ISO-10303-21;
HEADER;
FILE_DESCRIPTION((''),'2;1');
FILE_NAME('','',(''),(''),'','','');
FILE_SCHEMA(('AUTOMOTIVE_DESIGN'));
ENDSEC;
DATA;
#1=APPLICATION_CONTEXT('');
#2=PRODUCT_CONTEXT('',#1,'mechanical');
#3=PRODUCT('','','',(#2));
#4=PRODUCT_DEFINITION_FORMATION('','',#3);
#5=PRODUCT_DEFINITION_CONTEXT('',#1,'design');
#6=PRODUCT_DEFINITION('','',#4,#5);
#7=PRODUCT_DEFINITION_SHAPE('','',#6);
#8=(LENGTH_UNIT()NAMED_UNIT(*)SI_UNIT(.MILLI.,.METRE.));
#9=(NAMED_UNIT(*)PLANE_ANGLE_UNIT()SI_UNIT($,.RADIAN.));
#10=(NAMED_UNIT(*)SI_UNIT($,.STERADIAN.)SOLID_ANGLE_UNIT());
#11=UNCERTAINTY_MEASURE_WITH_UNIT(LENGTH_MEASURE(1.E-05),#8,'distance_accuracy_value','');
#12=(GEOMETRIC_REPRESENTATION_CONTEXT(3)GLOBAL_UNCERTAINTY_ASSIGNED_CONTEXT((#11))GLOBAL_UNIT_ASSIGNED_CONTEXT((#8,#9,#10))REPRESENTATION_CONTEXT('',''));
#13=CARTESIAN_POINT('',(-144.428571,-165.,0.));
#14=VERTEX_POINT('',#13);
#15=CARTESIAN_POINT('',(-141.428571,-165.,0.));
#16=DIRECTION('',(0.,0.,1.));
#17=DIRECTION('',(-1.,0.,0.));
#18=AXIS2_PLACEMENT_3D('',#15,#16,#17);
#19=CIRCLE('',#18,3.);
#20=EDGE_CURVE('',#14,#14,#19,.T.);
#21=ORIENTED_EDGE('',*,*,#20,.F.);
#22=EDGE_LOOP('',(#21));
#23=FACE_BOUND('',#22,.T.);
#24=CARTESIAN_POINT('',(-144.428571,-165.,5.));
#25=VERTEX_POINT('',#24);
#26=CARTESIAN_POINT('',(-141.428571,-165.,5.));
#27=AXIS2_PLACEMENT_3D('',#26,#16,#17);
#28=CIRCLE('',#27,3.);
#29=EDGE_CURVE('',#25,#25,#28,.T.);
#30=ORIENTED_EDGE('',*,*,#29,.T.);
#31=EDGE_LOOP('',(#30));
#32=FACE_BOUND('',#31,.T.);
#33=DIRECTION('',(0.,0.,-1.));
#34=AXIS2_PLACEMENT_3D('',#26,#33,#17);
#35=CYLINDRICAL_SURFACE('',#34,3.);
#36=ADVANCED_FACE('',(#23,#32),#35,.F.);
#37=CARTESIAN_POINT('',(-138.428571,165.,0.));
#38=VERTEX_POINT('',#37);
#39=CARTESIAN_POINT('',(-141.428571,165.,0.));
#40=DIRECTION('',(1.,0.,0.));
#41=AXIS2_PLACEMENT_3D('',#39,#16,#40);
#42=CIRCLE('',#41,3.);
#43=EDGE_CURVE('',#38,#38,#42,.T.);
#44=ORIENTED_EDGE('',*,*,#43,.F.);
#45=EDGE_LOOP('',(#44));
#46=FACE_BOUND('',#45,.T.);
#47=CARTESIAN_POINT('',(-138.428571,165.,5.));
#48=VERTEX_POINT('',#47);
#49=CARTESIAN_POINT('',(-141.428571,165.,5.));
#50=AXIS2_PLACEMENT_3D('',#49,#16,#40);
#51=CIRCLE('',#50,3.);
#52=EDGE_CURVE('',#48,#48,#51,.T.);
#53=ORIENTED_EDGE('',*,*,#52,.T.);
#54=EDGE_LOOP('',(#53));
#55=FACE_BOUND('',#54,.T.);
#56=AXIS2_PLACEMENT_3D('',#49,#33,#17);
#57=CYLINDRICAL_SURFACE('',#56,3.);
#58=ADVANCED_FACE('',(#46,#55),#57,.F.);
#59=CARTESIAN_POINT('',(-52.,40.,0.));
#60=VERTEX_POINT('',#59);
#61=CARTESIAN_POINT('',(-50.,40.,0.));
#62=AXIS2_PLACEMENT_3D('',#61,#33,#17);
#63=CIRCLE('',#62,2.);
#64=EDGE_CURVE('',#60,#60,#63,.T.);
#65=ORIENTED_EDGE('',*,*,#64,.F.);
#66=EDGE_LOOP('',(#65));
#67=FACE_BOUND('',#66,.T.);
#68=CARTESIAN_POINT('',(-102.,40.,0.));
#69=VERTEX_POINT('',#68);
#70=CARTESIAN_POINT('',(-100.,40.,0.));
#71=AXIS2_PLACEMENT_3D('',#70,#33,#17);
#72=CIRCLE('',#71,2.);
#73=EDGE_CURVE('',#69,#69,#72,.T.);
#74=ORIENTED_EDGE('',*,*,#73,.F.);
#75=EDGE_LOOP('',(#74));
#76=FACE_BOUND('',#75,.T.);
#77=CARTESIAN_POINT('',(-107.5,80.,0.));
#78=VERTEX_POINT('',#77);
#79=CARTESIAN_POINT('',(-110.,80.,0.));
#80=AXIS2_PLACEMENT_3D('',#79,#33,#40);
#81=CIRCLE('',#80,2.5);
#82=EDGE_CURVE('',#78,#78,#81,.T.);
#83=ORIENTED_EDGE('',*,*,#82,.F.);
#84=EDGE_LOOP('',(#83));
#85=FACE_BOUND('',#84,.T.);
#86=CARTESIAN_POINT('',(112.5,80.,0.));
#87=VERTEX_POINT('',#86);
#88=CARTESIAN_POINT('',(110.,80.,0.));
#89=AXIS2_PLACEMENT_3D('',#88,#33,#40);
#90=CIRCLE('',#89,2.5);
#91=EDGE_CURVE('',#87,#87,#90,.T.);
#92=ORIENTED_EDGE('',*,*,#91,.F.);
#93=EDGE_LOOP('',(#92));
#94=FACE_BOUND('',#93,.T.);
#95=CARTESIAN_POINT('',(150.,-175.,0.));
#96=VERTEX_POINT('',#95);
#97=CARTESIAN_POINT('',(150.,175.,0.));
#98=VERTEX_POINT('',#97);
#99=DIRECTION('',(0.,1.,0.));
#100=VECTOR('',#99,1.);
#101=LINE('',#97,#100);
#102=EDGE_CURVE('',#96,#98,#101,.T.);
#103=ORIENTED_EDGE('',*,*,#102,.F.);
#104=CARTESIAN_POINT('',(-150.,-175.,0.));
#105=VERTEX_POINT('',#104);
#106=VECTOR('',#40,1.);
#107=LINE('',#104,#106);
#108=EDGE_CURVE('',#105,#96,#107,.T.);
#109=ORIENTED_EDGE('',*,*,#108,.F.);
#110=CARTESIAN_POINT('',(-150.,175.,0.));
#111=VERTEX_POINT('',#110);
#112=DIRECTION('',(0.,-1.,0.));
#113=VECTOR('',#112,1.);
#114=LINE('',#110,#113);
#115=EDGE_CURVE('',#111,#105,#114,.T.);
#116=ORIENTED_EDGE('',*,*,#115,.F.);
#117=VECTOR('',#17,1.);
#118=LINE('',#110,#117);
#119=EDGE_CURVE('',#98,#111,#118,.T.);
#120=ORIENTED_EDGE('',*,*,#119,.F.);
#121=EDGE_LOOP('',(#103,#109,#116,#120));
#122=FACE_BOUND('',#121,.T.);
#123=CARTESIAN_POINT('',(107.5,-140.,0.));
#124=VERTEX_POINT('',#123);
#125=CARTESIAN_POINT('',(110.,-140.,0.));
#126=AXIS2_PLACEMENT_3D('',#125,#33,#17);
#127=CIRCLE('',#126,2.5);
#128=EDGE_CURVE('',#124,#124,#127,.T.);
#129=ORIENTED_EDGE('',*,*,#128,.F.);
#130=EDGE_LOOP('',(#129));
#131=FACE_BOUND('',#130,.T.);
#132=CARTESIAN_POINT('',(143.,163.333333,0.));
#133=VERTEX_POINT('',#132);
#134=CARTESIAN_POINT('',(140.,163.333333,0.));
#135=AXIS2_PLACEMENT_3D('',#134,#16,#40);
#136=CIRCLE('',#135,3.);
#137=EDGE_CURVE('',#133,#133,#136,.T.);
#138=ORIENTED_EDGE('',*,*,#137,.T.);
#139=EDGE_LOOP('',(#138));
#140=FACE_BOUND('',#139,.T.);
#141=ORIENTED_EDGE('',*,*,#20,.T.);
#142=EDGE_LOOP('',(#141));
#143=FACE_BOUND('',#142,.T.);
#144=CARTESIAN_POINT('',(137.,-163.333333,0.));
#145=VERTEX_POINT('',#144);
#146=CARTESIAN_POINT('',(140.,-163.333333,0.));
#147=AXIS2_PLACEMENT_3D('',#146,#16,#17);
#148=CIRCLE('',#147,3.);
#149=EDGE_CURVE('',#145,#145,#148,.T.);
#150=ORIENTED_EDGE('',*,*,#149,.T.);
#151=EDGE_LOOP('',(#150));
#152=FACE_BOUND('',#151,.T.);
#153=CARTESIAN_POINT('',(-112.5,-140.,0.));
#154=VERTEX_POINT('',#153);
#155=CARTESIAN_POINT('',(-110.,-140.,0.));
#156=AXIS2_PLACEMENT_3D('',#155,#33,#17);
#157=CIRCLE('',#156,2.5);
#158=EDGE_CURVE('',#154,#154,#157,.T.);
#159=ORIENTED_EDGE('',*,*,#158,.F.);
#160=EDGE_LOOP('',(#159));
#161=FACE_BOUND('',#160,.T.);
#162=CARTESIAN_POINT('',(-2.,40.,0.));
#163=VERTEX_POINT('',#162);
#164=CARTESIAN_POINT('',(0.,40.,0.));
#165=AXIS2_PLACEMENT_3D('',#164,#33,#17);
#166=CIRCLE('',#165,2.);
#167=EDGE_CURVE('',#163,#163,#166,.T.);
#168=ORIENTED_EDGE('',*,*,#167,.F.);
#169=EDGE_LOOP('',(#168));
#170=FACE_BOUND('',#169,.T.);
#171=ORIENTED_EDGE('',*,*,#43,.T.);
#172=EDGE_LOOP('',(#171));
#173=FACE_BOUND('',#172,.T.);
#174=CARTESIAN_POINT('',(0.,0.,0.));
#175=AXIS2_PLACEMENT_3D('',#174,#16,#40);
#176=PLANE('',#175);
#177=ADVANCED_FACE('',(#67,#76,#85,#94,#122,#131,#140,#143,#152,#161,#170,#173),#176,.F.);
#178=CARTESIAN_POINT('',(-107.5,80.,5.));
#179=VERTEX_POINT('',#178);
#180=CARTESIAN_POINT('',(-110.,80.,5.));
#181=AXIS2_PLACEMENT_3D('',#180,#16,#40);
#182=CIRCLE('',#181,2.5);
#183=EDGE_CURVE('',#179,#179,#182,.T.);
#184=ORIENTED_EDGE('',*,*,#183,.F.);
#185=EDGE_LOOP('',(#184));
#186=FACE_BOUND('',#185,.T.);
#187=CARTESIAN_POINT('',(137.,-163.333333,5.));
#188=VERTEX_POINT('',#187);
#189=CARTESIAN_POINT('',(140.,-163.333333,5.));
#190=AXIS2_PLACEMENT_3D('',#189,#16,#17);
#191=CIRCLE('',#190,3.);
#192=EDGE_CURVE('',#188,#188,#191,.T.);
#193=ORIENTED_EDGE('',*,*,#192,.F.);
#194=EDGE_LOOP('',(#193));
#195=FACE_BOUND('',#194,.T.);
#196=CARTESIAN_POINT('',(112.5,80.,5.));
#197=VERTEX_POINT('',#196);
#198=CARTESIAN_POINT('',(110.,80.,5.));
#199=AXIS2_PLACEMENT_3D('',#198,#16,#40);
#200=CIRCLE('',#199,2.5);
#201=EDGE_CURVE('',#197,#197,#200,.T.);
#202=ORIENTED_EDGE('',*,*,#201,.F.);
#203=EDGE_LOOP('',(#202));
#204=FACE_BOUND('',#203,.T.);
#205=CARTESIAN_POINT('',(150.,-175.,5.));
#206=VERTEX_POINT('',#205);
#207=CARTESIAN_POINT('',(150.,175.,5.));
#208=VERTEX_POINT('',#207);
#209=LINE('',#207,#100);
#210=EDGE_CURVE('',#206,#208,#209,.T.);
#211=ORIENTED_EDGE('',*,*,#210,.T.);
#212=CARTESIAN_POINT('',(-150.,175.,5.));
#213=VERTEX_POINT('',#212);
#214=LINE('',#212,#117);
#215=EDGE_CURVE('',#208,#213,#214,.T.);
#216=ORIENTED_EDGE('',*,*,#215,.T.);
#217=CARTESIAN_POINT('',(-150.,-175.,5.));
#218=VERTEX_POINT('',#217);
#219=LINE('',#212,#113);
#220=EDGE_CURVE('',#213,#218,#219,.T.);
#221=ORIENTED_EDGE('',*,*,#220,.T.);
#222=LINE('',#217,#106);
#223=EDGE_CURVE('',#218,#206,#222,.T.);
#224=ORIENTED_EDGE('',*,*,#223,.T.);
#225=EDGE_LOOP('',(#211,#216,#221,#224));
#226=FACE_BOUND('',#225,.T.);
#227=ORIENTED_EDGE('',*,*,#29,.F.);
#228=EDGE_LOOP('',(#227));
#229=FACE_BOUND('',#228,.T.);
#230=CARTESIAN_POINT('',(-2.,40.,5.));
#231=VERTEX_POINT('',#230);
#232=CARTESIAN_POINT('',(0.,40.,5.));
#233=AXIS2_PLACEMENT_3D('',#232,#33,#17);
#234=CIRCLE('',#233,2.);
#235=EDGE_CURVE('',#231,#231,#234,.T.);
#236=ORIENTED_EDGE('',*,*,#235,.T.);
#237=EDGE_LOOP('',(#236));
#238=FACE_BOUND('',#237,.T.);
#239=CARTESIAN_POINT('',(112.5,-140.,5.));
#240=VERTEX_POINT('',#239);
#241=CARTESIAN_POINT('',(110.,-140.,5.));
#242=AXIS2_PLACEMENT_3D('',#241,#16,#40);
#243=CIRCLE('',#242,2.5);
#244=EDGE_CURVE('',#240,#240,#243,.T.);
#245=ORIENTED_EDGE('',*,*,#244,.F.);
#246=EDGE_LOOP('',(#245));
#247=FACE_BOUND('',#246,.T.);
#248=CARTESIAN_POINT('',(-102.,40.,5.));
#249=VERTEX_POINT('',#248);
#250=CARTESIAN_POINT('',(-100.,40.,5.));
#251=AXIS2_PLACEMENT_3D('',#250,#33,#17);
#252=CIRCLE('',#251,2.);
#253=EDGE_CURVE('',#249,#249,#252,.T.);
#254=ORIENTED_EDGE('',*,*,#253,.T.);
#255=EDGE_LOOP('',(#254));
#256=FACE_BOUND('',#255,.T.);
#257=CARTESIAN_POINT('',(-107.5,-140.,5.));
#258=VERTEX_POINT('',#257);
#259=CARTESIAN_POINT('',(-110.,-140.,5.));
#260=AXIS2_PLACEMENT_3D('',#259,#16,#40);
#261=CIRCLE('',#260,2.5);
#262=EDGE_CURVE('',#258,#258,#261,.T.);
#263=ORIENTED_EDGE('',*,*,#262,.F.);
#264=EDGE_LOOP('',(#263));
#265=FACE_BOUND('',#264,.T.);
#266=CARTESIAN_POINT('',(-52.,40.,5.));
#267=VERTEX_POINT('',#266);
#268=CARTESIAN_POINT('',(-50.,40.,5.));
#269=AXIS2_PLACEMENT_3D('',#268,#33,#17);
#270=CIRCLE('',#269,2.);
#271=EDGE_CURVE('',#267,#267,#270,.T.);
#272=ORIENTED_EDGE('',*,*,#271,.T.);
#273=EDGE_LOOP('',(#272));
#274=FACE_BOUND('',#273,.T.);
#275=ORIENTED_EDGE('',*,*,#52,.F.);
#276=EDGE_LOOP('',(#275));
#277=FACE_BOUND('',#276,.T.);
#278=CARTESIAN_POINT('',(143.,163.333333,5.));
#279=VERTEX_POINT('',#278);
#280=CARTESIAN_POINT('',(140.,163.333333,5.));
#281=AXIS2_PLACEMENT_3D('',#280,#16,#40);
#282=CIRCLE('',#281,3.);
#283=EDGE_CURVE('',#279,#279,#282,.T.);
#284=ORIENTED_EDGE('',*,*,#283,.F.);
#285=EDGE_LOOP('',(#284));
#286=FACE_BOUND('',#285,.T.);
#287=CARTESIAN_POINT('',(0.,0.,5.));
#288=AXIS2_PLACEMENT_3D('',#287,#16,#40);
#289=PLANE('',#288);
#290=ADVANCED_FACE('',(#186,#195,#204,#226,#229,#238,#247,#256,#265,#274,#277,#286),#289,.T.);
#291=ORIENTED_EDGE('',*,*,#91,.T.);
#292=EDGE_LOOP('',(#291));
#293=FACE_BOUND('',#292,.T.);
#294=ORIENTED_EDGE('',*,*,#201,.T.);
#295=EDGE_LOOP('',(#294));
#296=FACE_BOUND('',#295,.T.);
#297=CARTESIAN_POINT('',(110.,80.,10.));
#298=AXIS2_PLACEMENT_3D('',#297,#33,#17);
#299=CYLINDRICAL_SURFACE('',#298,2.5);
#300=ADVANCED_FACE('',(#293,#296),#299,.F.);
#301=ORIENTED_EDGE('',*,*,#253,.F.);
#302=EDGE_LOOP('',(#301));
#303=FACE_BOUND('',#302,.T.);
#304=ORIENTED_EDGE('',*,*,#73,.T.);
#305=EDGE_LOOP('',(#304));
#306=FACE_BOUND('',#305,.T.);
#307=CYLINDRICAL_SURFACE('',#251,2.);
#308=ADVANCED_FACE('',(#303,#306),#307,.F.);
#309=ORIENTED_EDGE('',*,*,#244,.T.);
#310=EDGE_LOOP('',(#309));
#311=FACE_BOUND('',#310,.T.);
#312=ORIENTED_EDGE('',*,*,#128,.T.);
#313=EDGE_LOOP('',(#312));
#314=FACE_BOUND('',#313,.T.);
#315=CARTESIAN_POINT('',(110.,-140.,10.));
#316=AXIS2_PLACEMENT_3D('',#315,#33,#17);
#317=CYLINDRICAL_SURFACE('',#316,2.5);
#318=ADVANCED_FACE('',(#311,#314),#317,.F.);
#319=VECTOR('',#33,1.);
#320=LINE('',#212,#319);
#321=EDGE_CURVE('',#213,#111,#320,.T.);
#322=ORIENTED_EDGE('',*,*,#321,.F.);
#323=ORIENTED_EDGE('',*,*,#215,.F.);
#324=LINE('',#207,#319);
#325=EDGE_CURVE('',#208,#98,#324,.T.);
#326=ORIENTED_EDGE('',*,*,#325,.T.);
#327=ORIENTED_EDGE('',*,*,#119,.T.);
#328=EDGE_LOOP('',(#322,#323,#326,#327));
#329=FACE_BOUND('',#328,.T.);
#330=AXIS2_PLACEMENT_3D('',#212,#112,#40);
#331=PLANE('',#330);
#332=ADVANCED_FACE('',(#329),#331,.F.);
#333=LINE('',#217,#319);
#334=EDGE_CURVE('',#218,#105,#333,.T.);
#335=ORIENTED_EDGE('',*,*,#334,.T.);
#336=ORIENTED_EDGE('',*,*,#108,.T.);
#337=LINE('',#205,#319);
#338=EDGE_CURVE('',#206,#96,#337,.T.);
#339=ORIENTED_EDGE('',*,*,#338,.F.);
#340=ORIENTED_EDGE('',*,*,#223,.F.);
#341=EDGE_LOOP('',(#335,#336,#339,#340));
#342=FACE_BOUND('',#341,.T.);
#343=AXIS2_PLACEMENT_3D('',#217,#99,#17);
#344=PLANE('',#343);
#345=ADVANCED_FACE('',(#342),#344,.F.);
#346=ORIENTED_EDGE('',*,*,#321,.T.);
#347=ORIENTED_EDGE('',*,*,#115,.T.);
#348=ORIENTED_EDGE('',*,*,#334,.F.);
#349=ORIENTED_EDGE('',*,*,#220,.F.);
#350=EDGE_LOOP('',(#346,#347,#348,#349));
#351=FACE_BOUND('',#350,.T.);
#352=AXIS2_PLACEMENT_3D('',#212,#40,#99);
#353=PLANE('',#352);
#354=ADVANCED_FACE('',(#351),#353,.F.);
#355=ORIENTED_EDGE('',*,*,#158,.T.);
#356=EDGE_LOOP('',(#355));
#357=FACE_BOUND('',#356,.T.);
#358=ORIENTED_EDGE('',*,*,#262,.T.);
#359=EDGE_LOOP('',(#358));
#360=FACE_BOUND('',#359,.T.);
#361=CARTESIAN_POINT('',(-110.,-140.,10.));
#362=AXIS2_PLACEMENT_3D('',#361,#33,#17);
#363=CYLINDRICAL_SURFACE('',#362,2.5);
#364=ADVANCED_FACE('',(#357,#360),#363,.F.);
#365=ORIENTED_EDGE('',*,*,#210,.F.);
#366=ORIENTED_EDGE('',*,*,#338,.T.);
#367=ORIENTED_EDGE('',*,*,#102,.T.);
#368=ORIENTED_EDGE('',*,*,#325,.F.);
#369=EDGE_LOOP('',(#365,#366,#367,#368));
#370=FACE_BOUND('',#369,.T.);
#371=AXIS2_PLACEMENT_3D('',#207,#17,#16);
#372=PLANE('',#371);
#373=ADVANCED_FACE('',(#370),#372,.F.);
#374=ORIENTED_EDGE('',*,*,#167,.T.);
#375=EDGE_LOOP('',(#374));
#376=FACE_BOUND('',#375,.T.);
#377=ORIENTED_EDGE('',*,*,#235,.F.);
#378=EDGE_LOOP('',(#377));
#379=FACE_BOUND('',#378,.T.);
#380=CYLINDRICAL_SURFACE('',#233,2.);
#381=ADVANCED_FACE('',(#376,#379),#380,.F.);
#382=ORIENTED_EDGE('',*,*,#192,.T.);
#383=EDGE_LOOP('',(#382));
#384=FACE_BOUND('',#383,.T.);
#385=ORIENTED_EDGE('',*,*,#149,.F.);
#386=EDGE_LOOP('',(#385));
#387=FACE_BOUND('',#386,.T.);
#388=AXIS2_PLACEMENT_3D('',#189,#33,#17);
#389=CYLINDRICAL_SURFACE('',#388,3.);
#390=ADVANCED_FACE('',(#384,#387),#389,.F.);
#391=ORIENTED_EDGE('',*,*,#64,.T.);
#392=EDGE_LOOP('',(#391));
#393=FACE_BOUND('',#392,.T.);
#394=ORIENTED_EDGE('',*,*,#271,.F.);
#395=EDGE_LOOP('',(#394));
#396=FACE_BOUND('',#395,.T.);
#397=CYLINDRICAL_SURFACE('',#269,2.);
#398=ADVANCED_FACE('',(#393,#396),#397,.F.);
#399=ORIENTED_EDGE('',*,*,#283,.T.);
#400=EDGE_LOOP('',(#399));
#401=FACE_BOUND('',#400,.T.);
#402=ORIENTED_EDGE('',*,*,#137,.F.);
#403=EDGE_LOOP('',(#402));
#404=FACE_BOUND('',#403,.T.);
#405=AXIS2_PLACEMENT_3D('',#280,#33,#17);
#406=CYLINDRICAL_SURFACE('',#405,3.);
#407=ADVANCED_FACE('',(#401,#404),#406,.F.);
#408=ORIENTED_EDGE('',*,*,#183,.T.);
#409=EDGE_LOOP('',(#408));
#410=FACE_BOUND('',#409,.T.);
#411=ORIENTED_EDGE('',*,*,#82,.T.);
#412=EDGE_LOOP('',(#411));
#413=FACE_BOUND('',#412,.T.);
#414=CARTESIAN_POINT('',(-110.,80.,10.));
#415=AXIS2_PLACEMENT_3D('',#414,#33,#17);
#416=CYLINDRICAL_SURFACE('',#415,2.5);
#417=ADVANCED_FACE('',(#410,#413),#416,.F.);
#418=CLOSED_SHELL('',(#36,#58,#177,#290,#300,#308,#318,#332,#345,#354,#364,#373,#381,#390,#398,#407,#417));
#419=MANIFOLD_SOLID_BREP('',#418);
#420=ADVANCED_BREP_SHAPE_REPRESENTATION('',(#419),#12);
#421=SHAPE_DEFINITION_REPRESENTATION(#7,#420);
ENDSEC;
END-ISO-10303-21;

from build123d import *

# Parameters (mm, degrees)
SKETCH1_W           = 300
SKETCH1_H           = 350
SKETCH1_R           = 3
BOSS_EXTRUDE1_DEPTH = 5
SKETCH2_R           = 2.5
CUT_EXTRUDE1_DEPTH  = 10
SKETCH3_R           = 2
CUT_EXTRUDE2_DEPTH  = 6


with BuildPart() as part:
    # Sketch1 → Boss-Extrude1 (new body)
    with BuildSketch(Plane.XY):
        Rectangle(SKETCH1_W, SKETCH1_H)
        with Locations((-141.428571429, 165)):
            Circle(SKETCH1_R, mode=Mode.SUBTRACT)
        with Locations((140, 163.333333333)):
            Circle(SKETCH1_R, mode=Mode.SUBTRACT)
        with Locations((140, -163.333333333)):
            Circle(SKETCH1_R, mode=Mode.SUBTRACT)
        with Locations((-141.428571429, -165)):
            Circle(SKETCH1_R, mode=Mode.SUBTRACT)
    extrude(amount=BOSS_EXTRUDE1_DEPTH)

    # Sketch2 → Cut-Extrude1 (cut)
    with BuildSketch(Plane(origin=(0, 0, 0), x_dir=(-1, 0, 0), z_dir=(0, 0, -1))):
        with Locations((110, -140)):
            Circle(SKETCH2_R)
        with Locations((-110, -140)):
            Circle(SKETCH2_R)
        with Locations((-110, 80)):
            Circle(SKETCH2_R)
        with Locations((110, 80)):
            Circle(SKETCH2_R)
    extrude(amount=-CUT_EXTRUDE1_DEPTH, mode=Mode.SUBTRACT)

    # Sketch3 → Cut-Extrude2 (cut, through all)
    with BuildSketch(Plane(origin=(0, 0, 0), x_dir=(-1, 0, 0), z_dir=(0, 0, -1))):
        with Locations((0, 40)):
            Circle(SKETCH3_R)
        with Locations((50, 40)):
            Circle(SKETCH3_R)
        with Locations((100, 40)):
            Circle(SKETCH3_R)
    extrude(amount=-CUT_EXTRUDE2_DEPTH, mode=Mode.SUBTRACT)


solid = part.part
